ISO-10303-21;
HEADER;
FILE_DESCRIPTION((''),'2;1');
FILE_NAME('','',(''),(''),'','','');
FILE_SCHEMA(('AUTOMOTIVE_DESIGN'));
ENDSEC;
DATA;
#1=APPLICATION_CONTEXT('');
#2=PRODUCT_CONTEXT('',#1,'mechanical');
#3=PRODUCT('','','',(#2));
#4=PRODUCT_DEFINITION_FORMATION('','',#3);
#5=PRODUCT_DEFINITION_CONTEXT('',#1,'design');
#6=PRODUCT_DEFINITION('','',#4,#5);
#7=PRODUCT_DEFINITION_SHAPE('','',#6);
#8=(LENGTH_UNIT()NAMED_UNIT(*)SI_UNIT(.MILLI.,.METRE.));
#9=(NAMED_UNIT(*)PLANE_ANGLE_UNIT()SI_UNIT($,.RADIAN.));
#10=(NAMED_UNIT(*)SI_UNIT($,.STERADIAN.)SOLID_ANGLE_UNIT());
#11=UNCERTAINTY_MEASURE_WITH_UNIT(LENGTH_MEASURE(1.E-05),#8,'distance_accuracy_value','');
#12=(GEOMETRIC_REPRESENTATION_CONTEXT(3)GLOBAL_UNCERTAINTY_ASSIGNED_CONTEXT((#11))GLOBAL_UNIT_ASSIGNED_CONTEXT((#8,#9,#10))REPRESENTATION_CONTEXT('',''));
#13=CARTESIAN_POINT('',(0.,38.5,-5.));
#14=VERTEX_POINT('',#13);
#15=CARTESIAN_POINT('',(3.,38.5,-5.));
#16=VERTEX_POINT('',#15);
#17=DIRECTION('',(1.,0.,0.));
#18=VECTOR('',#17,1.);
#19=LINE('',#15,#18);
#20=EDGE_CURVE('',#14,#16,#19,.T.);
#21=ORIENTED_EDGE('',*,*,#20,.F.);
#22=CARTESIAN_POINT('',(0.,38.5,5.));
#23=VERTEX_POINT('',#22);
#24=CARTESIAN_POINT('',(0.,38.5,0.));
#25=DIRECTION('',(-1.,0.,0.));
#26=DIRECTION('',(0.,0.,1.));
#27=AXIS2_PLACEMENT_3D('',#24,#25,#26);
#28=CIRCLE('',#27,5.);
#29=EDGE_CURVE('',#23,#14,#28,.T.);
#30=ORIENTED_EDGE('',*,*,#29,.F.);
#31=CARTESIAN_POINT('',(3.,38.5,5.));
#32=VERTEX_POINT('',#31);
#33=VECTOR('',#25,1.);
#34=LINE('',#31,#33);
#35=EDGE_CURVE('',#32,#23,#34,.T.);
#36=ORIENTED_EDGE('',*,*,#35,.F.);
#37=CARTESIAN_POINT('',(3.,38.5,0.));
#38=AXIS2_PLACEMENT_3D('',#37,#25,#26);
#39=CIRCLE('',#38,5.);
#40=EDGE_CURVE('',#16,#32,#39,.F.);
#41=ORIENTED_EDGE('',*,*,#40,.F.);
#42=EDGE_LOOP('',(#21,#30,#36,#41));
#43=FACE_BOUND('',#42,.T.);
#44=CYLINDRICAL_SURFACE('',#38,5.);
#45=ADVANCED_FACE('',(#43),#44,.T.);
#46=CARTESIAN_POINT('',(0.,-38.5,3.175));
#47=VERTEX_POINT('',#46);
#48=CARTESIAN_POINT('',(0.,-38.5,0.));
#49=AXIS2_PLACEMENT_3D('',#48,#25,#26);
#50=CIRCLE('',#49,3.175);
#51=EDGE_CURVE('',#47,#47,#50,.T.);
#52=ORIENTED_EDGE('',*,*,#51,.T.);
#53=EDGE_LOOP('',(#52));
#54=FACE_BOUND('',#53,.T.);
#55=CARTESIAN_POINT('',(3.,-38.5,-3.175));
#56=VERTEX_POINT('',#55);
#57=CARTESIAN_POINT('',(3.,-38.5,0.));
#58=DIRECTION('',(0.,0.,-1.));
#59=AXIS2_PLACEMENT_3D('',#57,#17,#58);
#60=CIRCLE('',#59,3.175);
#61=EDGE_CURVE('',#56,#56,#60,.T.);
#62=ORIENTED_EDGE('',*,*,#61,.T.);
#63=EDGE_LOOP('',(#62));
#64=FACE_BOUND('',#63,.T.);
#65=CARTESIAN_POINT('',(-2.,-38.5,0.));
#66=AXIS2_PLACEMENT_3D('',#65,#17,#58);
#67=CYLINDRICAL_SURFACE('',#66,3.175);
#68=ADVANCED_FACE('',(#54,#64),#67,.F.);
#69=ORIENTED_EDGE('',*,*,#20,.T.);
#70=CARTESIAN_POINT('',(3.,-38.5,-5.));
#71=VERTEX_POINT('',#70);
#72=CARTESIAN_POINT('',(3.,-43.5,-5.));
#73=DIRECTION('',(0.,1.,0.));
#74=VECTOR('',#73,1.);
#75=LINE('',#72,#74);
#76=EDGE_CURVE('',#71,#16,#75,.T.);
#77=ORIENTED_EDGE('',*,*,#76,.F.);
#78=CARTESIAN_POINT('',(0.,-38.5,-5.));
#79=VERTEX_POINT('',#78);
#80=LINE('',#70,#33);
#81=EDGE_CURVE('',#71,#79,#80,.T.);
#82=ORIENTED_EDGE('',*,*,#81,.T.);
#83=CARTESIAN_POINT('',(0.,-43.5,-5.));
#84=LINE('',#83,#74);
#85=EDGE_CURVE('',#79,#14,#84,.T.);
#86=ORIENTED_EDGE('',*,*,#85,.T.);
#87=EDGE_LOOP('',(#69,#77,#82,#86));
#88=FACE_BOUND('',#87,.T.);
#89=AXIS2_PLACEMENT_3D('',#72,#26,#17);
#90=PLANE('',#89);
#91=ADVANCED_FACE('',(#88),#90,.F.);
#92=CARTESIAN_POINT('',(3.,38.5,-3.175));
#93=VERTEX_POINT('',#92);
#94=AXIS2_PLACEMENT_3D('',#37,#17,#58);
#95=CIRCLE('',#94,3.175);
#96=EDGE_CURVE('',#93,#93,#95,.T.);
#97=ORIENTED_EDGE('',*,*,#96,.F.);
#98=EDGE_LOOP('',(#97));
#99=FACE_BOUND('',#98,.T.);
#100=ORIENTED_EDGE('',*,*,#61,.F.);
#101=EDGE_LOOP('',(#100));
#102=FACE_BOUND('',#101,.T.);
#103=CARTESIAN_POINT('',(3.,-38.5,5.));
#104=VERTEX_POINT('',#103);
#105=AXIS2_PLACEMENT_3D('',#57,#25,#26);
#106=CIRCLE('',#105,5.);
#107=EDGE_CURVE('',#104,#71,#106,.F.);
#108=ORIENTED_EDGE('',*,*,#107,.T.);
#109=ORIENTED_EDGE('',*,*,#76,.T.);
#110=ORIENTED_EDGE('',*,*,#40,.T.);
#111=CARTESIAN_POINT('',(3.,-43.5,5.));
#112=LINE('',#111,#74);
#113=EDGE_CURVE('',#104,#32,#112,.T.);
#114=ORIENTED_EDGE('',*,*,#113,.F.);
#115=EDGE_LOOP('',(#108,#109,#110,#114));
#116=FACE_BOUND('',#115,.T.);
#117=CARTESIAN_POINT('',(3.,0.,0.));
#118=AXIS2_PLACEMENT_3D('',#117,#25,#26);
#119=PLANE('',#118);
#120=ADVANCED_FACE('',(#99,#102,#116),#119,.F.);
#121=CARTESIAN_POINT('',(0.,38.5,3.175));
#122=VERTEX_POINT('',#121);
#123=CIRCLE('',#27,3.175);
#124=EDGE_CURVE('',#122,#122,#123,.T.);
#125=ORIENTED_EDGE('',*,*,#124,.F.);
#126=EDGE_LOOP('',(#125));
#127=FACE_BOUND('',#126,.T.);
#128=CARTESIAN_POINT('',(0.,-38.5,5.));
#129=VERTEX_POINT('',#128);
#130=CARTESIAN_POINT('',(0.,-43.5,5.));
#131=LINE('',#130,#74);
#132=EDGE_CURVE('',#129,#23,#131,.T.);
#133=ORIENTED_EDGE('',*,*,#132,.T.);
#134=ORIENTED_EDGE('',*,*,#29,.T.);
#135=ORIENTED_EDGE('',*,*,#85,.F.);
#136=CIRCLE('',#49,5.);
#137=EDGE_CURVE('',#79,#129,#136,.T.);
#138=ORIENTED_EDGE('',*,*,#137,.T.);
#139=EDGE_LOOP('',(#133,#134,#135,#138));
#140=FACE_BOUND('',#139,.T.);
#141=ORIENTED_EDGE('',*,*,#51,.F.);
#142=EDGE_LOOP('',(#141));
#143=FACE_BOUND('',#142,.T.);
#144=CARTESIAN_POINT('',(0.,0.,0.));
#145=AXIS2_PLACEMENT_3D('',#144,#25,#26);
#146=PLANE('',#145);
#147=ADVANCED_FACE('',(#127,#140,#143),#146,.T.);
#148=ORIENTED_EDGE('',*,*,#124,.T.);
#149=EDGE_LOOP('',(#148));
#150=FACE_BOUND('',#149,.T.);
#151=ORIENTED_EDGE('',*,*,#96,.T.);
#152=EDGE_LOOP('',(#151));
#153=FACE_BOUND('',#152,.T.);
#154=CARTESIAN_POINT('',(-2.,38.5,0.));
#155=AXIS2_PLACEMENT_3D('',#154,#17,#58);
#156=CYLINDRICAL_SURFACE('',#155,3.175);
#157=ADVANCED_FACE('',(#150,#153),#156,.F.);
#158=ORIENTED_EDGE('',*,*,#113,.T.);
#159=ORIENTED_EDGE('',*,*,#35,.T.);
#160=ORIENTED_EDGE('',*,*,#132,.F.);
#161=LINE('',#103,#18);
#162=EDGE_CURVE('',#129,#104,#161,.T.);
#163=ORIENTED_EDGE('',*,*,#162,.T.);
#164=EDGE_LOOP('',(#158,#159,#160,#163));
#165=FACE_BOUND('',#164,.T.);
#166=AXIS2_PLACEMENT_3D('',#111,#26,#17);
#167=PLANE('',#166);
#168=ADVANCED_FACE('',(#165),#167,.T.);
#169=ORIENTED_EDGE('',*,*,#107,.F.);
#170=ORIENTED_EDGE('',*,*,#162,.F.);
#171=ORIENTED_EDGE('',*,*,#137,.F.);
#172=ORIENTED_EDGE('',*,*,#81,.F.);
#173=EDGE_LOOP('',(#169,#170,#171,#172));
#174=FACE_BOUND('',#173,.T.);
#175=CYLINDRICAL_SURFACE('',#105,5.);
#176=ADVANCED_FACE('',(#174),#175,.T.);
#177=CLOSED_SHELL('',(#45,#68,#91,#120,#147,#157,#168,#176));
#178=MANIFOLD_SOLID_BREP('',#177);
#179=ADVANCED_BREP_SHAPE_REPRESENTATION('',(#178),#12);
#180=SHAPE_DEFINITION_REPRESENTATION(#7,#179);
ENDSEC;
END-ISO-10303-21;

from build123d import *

# Parameters (mm, degrees)
SKETCH3_W           = 10
SKETCH3_H           = 87
BOSS_EXTRUDE1_DEPTH = 3
SKETCH4_R           = 3.175
CUT_EXTRUDE1_DEPTH  = 5
FILLET1_RADIUS      = 5
FILLET1_LENGTH      = 3
FILLET2_RADIUS      = 5
FILLET2_LENGTH      = 3


with BuildPart() as part:
    # Sketch3 → Boss-Extrude1 (new body)
    with BuildSketch(Plane(origin=(0, 0, 0), x_dir=(0, 0, -1), z_dir=(1, 0, 0))):
        Rectangle(SKETCH3_W, SKETCH3_H)
    extrude(amount=BOSS_EXTRUDE1_DEPTH)

    # Sketch4 → Cut-Extrude1 (cut)
    with BuildSketch(Plane(origin=(3, 0, 0), x_dir=(0, 0, -1), z_dir=(1, 0, 0))):
        with Locations((0, 38.5)):
            Circle(SKETCH4_R)
        with Locations((0, -38.5)):
            Circle(SKETCH4_R)
    extrude(amount=-CUT_EXTRUDE1_DEPTH, mode=Mode.SUBTRACT)

    # Fillet1: full round fillet: the end face becomes a half cylinder, R = half its width
    fillet1_face = Plane((1.5, 43.5, 0), x_dir=(-1, 0, 0), z_dir=(0, 1, 0))  # on the end face: x along it, z out of the body
    fillet1_slab = fillet1_face.offset(-FILLET1_RADIUS / 2) * Box(FILLET1_LENGTH, 2 * FILLET1_RADIUS, FILLET1_RADIUS, mode=Mode.PRIVATE)  # the body's end, R deep
    fillet1_round = Plane((1.5, 38.5, 0), x_dir=(0, 1, 0), z_dir=(-1, 0, 0)) * Cylinder(FILLET1_RADIUS, FILLET1_LENGTH, mode=Mode.PRIVATE)  # its axis R under the face
    add(fillet1_slab - fillet1_round, mode=Mode.SUBTRACT)

    # Fillet2: full round fillet: the end face becomes a half cylinder, R = half its width
    fillet2_face = Plane((1.5, -43.5, 0), x_dir=(-1, 0, 0), z_dir=(0, -1, 0))  # on the end face: x along it, z out of the body
    fillet2_slab = fillet2_face.offset(-FILLET2_RADIUS / 2) * Box(FILLET2_LENGTH, 2 * FILLET2_RADIUS, FILLET2_RADIUS, mode=Mode.PRIVATE)  # the body's end, R deep
    fillet2_round = Plane((1.5, -38.5, 0), x_dir=(0, -1, 0), z_dir=(-1, 0, 0)) * Cylinder(FILLET2_RADIUS, FILLET2_LENGTH, mode=Mode.PRIVATE)  # its axis R under the face
    add(fillet2_slab - fillet2_round, mode=Mode.SUBTRACT)


solid = part.part
